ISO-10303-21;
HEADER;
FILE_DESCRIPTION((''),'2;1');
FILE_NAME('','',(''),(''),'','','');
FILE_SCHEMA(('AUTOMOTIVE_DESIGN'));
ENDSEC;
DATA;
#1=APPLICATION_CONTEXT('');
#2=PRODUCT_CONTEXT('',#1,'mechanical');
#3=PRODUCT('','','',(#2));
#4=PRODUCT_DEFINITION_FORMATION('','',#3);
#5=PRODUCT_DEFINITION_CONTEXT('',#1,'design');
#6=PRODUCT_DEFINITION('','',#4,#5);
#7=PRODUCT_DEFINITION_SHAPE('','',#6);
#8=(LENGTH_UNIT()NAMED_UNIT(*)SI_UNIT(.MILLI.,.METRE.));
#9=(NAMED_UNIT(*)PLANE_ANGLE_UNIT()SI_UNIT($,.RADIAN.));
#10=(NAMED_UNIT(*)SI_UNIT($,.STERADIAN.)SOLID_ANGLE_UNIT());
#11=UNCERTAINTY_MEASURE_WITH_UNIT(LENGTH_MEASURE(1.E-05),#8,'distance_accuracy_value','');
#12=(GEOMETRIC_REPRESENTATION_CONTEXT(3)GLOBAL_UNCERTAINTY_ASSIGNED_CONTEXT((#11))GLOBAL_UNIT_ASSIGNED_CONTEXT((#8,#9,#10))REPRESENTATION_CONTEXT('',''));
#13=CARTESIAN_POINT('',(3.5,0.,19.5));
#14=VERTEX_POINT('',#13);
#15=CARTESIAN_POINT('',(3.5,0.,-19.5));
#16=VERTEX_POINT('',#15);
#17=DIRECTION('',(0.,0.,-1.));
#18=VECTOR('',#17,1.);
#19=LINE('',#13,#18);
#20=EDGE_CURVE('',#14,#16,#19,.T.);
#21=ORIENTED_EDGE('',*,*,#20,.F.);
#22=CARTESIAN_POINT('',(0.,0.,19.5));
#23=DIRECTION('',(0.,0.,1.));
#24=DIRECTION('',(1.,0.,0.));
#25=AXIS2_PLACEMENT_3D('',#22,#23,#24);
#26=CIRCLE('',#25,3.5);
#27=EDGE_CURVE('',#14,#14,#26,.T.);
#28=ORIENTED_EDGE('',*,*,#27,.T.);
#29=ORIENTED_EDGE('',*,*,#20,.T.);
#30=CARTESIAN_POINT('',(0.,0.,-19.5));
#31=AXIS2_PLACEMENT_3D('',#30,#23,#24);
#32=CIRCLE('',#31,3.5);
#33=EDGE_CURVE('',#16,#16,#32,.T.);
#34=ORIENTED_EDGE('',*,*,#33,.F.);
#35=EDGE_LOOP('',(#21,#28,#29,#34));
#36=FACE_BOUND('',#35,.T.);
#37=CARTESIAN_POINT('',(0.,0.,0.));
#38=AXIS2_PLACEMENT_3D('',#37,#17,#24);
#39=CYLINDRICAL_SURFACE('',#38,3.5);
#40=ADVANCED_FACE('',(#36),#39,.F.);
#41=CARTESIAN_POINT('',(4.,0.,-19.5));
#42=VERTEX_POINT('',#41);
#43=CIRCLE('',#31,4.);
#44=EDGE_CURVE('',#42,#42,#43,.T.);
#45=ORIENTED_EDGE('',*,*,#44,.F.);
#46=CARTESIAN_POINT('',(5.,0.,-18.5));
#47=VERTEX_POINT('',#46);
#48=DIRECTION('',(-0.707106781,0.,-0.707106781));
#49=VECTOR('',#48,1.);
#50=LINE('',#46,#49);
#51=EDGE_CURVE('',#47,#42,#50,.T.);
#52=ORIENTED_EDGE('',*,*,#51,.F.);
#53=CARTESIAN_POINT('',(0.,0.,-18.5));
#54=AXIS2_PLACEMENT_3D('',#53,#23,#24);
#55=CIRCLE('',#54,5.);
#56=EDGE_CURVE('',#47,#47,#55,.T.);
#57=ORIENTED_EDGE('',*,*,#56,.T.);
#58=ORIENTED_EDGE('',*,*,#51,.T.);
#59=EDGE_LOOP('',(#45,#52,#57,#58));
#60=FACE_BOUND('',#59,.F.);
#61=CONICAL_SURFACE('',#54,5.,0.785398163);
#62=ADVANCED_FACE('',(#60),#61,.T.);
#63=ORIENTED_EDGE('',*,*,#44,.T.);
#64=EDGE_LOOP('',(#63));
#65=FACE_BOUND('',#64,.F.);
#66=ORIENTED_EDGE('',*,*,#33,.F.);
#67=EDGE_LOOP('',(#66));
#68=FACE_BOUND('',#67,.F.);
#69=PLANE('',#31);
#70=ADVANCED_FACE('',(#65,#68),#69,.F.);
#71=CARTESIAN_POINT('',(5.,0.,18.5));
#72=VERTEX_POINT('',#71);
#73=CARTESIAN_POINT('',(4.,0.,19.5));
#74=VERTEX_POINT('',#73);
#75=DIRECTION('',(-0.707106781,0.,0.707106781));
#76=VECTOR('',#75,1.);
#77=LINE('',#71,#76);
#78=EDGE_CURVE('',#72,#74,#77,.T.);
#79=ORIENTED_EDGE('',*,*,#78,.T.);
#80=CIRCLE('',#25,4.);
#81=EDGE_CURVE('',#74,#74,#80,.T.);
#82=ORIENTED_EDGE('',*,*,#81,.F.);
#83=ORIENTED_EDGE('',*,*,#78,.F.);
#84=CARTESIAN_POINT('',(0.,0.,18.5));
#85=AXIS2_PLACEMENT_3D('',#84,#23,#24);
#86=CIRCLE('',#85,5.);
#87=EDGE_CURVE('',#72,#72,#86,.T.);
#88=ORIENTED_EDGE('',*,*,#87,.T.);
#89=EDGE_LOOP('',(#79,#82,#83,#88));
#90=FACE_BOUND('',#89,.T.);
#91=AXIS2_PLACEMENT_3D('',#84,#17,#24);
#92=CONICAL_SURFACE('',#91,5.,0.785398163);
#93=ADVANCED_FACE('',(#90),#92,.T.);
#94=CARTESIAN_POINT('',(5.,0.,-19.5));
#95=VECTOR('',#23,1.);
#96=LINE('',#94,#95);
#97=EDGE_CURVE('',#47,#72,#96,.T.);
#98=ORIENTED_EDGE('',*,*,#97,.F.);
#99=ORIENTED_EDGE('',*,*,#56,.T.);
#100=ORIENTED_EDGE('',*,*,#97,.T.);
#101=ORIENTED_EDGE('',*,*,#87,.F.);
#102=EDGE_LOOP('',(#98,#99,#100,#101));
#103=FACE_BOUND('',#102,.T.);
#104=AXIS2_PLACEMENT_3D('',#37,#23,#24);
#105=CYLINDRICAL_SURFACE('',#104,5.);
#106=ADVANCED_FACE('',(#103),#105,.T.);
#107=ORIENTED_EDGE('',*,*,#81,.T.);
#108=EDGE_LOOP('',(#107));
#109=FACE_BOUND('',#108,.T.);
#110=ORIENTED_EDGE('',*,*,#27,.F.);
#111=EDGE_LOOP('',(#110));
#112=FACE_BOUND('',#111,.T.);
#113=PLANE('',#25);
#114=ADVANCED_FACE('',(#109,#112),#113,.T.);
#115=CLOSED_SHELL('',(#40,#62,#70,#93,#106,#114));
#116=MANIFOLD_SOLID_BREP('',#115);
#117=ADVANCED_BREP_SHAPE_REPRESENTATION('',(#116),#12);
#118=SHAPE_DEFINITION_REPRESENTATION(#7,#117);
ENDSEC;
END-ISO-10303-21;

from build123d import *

# Parameters (mm, degrees)
F0_R     = 5
F0_R_2   = 3.5
F1_DEPTH = 19.5
F2_SIZE2 = 1
F2_SIZE  = 1


with BuildPart() as f1:
    # F0 (on Top) → F1 (new body, symmetric)
    with BuildSketch(Plane.XY):
        Circle(F0_R)
        Circle(F0_R_2, mode=Mode.SUBTRACT)
    extrude(amount=F1_DEPTH, both=True)

    # F2
    f2_edges = [f1.edges().sort_by_distance(p)[0] for p in [
        (-5, 0, 19.5),
        (-5, 0, -19.5),
    ]]
    chamfer(f2_edges, length=F2_SIZE, length2=F2_SIZE2)


solid = f1.part
